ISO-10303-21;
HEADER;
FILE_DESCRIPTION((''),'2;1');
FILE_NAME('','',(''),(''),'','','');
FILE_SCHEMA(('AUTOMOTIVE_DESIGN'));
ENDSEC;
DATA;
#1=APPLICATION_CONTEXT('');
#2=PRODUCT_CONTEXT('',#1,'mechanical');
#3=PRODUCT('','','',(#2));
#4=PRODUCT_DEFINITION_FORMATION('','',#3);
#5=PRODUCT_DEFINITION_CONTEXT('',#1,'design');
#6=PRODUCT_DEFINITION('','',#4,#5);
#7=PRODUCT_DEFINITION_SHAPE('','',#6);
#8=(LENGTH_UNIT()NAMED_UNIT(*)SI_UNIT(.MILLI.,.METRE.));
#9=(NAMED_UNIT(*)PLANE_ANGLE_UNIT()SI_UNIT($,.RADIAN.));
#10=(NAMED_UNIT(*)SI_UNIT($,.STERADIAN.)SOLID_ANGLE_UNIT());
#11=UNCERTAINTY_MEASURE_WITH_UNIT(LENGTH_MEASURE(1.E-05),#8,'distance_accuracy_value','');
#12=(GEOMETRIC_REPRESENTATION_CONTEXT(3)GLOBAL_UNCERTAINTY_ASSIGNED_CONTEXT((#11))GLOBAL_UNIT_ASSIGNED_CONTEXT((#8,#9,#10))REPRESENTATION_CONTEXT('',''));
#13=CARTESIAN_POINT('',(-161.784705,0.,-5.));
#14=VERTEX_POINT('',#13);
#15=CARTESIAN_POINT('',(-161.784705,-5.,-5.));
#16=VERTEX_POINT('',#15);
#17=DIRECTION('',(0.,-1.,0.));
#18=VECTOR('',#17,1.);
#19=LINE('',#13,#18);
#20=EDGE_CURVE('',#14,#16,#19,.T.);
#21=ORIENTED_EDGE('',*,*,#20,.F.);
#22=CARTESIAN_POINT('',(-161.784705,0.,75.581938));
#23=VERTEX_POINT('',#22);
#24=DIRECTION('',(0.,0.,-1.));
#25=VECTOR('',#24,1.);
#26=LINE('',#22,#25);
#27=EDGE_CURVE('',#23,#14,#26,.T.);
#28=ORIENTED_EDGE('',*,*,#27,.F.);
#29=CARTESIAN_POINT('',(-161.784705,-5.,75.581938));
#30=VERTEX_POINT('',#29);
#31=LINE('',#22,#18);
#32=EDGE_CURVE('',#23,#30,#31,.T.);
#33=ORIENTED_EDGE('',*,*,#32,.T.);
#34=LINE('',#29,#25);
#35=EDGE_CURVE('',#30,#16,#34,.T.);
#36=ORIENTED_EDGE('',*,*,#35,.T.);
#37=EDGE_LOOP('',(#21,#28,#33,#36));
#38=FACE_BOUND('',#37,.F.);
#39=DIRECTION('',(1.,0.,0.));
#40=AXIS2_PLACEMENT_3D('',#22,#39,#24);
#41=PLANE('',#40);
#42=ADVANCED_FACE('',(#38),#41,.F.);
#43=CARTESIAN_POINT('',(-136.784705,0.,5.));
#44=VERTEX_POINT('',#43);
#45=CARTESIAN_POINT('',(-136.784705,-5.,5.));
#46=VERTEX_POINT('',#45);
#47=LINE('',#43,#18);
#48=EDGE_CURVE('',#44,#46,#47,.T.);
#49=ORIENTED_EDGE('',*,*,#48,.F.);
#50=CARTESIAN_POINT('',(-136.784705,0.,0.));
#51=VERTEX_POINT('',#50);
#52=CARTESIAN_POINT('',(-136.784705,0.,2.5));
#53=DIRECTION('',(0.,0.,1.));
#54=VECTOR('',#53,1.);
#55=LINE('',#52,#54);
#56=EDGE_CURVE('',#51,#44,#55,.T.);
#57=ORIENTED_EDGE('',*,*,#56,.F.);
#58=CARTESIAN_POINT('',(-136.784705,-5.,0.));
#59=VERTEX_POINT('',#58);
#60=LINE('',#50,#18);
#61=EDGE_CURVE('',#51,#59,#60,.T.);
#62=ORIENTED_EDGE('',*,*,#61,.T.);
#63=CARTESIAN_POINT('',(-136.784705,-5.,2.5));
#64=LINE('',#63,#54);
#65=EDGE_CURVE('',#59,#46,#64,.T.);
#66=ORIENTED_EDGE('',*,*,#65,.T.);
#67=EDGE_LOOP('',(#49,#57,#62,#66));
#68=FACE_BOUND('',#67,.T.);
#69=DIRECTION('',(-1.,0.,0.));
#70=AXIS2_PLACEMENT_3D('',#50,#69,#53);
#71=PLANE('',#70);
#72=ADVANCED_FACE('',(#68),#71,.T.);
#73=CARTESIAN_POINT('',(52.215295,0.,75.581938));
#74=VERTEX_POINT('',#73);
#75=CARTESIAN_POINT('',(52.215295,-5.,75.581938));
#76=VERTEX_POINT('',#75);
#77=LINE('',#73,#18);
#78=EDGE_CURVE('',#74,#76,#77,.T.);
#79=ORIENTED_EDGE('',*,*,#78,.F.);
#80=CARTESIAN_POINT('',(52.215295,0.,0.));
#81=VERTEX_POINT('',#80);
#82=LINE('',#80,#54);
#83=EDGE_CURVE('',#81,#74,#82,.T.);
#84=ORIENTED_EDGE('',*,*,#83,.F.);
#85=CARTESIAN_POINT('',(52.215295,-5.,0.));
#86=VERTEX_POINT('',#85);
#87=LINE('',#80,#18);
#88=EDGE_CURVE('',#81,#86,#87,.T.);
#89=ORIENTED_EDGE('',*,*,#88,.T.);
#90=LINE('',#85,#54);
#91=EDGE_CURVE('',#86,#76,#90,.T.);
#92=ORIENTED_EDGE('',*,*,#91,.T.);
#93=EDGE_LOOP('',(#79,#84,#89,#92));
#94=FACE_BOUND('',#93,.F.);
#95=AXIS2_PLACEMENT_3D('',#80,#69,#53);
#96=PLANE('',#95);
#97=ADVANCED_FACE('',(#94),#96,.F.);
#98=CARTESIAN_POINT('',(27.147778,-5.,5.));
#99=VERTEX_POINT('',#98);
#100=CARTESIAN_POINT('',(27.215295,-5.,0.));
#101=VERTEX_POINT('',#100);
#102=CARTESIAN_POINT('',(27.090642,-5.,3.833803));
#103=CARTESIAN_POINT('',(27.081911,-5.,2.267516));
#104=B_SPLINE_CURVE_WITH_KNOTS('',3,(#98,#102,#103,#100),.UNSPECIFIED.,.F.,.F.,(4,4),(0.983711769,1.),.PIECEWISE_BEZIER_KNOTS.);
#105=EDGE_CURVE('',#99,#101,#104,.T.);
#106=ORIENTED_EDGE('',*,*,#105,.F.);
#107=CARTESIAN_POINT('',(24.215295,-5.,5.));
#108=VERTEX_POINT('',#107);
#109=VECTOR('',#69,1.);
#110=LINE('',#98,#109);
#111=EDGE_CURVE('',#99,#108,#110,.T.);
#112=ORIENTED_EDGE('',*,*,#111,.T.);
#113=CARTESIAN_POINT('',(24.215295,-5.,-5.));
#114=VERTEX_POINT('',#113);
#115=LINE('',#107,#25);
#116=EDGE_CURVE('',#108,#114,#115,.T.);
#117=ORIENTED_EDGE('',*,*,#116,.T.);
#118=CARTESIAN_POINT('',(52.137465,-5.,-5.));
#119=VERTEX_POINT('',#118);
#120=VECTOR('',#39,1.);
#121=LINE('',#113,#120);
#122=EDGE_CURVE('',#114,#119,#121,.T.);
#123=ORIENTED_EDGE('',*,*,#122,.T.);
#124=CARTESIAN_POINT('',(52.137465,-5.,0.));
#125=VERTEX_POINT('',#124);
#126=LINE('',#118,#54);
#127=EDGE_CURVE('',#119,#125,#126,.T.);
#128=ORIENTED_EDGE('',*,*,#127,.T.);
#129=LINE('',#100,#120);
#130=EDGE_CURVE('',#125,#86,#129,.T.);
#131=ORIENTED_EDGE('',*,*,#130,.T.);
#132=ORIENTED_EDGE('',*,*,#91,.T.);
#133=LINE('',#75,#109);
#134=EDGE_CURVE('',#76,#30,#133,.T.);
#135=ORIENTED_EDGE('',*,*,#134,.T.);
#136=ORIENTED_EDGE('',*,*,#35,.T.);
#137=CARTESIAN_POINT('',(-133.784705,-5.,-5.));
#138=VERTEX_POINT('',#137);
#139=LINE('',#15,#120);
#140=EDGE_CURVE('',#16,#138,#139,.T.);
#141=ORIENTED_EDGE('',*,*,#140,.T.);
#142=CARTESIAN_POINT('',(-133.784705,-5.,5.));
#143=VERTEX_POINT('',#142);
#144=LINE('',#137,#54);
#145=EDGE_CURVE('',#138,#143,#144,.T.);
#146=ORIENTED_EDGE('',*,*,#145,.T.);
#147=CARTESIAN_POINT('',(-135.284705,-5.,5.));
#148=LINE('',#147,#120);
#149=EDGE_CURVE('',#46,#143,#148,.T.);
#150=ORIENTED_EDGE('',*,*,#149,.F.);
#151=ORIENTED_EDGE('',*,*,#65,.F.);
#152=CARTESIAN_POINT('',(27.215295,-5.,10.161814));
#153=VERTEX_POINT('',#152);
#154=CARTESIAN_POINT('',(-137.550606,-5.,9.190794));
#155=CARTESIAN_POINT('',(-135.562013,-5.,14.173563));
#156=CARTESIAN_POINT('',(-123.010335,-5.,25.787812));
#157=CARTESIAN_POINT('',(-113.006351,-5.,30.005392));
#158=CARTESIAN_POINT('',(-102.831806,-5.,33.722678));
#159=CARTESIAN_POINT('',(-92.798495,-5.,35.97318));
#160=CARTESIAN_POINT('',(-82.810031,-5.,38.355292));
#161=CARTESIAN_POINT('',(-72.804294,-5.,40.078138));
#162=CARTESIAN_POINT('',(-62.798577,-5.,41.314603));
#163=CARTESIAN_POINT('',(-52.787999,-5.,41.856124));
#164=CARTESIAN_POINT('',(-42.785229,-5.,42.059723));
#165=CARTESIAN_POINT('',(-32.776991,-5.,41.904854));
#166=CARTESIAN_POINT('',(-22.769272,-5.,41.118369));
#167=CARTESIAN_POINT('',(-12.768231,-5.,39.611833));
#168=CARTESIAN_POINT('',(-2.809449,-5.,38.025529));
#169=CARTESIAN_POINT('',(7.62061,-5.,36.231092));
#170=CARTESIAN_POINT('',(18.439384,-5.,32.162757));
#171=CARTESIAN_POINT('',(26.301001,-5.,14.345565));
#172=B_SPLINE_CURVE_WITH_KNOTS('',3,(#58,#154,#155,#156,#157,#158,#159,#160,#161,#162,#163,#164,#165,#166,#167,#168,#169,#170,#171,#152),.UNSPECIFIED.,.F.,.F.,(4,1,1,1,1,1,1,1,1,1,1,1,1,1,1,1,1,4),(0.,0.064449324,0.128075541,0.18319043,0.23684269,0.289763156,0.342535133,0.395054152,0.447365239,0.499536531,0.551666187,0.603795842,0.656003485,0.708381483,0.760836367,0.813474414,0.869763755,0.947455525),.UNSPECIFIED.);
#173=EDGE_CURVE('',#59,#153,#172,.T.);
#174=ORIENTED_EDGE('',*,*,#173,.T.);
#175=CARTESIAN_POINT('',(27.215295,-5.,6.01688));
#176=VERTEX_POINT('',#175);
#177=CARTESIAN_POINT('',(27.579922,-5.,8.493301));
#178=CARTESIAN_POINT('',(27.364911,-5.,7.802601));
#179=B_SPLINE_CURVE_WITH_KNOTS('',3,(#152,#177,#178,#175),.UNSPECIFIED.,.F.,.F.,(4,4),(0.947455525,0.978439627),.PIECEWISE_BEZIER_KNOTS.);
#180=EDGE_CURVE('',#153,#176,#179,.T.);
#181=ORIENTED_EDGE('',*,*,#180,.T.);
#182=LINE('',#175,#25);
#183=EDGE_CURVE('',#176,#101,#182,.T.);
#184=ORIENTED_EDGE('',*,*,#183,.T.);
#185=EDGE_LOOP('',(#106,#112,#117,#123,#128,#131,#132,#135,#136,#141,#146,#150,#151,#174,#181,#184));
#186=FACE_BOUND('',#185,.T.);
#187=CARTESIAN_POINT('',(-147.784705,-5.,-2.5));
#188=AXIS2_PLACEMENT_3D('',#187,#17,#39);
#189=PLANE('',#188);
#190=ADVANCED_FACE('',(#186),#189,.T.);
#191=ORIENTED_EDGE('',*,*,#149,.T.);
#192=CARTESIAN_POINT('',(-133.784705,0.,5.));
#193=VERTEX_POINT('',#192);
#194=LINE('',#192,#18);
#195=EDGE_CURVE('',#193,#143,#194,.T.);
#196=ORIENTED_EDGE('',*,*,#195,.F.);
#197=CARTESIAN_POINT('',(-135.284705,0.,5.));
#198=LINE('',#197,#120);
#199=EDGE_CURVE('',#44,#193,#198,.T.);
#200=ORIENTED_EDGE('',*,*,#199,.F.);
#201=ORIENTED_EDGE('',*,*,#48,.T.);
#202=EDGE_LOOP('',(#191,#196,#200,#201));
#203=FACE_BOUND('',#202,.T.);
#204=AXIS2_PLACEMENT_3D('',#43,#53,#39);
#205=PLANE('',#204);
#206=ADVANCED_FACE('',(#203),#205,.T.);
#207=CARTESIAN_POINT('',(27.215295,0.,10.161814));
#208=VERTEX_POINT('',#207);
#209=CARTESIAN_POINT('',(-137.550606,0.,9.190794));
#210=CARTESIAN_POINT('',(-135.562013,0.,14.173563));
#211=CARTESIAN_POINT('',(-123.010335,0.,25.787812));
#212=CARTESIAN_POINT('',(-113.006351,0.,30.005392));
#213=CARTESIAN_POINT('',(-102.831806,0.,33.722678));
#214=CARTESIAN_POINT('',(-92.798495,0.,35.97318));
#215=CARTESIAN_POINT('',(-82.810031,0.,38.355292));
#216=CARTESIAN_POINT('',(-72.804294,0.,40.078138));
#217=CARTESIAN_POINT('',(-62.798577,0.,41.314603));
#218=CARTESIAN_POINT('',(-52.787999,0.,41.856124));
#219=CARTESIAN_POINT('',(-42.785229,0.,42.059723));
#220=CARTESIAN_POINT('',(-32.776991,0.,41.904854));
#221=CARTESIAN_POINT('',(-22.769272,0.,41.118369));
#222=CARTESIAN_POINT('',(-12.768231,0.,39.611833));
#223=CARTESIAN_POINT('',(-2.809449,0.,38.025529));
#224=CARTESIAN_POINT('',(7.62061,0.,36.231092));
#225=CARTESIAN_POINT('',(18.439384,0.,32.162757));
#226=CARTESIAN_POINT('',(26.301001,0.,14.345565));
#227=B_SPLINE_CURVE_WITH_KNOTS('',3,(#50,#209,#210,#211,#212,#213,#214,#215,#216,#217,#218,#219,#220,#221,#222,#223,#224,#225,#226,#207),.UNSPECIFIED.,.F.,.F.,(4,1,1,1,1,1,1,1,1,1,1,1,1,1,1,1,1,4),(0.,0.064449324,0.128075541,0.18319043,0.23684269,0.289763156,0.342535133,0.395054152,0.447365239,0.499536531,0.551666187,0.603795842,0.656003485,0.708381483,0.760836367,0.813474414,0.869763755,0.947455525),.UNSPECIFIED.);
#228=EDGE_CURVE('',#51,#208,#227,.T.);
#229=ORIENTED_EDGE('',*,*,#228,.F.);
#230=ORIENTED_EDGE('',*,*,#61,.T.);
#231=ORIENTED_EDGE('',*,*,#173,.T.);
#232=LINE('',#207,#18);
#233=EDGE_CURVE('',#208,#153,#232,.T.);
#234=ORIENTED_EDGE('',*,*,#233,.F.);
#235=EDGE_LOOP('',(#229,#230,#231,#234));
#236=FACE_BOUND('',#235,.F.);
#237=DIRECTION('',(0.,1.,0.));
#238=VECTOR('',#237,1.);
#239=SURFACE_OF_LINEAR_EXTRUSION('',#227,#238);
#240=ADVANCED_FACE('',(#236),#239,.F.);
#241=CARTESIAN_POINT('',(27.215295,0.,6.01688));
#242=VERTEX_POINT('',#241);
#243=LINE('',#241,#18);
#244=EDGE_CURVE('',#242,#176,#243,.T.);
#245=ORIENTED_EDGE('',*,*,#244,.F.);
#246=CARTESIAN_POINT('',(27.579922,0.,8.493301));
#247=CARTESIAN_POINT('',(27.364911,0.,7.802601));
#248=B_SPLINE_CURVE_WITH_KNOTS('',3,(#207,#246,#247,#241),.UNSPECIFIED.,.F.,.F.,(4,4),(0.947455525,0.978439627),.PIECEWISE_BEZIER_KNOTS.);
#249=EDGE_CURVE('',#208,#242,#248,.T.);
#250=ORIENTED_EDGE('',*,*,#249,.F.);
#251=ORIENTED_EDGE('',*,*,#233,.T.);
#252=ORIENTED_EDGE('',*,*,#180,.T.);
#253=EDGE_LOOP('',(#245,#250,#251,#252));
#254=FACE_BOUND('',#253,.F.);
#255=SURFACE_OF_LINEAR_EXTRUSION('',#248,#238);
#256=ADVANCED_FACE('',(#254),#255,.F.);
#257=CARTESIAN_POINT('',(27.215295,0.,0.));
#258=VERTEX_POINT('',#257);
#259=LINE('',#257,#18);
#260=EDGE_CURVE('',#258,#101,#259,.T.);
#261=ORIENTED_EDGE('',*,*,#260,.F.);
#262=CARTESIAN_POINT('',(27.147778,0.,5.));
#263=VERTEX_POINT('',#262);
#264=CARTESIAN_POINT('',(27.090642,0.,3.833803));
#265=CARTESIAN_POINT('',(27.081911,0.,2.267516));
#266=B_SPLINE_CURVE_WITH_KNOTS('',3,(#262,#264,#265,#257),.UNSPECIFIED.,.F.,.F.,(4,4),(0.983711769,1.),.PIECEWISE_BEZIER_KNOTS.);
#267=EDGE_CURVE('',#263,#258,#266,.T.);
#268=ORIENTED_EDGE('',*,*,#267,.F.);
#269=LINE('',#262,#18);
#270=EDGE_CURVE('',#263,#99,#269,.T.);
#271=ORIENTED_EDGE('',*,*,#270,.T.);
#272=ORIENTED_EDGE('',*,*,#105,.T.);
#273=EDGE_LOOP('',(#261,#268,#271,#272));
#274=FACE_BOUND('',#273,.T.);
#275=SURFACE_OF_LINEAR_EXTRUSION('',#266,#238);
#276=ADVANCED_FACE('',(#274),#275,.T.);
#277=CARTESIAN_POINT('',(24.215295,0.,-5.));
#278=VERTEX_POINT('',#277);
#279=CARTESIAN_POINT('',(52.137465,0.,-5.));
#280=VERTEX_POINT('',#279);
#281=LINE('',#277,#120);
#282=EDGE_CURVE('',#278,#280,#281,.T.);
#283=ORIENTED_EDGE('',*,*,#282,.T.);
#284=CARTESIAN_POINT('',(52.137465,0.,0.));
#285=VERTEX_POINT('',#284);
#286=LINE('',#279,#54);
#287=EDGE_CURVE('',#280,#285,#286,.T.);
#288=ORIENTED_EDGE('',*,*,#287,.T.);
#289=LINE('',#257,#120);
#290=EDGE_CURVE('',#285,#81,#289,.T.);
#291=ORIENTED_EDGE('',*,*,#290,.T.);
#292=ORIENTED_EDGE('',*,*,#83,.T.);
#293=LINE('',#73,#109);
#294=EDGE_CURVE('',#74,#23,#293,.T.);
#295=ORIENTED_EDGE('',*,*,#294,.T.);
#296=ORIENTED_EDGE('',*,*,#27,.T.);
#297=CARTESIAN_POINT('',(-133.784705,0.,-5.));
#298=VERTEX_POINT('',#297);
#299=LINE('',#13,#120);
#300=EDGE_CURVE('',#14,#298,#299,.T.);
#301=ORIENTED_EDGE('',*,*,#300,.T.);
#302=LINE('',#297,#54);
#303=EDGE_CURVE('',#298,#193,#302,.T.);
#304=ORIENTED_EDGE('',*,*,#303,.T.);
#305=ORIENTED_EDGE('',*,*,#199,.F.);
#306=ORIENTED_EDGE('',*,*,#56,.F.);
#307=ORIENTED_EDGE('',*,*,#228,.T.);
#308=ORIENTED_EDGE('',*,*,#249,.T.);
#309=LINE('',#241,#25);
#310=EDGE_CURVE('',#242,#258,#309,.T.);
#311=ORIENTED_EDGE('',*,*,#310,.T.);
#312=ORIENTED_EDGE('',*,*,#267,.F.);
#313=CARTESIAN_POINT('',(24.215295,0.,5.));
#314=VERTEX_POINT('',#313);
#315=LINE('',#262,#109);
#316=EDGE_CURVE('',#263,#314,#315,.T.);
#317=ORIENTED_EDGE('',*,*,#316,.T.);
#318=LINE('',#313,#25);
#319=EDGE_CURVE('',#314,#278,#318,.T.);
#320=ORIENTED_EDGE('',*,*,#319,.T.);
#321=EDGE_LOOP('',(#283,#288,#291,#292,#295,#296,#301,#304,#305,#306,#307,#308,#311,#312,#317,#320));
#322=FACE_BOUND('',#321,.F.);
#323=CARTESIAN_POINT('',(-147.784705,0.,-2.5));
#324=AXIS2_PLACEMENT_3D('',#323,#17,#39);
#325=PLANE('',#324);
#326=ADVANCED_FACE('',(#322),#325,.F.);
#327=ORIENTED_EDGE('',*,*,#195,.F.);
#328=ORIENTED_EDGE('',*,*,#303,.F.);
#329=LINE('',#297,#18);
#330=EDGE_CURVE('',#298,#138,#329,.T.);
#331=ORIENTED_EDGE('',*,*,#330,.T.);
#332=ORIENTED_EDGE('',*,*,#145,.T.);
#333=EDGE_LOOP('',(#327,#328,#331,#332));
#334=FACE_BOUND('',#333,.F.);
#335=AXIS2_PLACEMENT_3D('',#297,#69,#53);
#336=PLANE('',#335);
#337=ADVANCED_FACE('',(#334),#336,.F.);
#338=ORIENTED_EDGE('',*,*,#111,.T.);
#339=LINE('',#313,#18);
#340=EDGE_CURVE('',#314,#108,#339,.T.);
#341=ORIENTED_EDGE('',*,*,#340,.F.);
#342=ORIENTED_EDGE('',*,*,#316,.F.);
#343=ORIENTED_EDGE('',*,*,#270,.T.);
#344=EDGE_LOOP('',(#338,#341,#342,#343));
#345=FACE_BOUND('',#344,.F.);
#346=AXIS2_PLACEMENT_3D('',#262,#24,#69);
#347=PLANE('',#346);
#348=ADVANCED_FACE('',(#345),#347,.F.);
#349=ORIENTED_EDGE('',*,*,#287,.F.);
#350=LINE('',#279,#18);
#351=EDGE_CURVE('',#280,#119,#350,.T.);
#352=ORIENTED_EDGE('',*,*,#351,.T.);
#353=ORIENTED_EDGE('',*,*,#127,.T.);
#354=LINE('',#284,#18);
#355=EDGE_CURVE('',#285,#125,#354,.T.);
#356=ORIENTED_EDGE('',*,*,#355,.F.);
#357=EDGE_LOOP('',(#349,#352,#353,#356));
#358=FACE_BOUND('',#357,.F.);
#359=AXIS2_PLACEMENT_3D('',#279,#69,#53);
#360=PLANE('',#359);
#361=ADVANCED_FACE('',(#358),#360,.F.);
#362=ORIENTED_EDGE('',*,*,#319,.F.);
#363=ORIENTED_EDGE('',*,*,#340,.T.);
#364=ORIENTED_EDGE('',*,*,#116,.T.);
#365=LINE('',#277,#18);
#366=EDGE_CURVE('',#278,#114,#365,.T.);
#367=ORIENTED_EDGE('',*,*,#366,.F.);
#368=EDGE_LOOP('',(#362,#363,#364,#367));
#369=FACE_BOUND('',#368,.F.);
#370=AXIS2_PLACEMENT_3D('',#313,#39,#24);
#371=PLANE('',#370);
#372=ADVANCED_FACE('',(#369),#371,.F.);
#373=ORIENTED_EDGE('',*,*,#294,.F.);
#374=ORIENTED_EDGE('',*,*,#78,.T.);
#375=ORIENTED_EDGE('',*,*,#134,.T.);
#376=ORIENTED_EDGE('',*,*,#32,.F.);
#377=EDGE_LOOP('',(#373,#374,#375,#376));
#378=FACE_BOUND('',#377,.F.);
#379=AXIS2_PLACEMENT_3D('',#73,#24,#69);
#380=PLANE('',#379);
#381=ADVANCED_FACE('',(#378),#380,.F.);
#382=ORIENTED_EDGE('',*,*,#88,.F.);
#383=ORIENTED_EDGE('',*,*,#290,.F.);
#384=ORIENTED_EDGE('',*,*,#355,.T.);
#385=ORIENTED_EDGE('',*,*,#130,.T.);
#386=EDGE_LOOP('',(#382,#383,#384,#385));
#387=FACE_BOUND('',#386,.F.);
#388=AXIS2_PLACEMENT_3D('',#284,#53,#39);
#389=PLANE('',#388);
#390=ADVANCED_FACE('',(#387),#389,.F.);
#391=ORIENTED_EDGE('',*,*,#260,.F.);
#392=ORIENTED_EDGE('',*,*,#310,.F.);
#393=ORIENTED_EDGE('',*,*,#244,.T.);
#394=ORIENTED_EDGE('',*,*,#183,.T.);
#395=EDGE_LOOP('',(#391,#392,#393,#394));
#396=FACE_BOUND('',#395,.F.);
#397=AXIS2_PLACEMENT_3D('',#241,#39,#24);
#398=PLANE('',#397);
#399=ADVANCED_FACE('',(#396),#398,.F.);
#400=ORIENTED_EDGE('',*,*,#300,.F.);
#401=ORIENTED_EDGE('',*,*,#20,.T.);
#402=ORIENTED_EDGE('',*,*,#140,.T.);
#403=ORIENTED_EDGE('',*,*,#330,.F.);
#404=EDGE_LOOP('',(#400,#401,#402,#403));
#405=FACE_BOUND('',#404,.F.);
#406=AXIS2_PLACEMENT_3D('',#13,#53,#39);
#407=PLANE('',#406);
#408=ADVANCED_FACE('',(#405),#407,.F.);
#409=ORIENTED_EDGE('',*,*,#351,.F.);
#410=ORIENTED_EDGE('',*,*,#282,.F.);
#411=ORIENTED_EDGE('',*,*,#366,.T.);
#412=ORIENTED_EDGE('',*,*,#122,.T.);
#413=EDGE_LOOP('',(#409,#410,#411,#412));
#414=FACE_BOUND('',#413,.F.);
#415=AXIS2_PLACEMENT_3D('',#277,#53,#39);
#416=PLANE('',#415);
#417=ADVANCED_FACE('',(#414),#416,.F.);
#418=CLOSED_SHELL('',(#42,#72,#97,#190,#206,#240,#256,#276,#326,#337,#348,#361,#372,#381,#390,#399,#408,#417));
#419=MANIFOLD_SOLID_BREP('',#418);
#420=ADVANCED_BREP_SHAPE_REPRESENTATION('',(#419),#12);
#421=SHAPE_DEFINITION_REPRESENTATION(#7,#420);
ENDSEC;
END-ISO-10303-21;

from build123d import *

# Parameters (mm, degrees)
F0_W     = 3
F0_H     = 5
F1_DEPTH = 5


with BuildPart() as f1:
    # F0 (on Front) → F1 (new body)
    with BuildSketch(Plane.XZ):
        Polygon((-153.931453824, 0), (-155.1526284828, 0), (-161.7847054601, 0), (-161.7847054601, -5), (-133.7847054601, -5), (-133.7847054601, 0), (-136.7847054601, 0), (-151.8627256155, 0), align=None)
        with Locations((-135.2847054601, 2.5)):
            Rectangle(F0_W, F0_H)
        with BuildLine():
            Line((-161.7847054601, 0), (-155.1526284828, 0))
            Line((-155.1526284828, 0), (-153.931453824, 0))
            Line((-153.931453824, 0), (-151.8627256155, 0))
            Line((-151.8627256155, 0), (-136.7847054601, 0))
            add(Edge.make_bspline(
                [(-136.7847054601, 0), (-137.550605581, 9.1907943609), (-135.5620132118, 14.1735625634), (-123.0103345841, 25.7878123059), (-113.0063506641, 30.0053916685), (-102.8318059019, 33.7226779983), (-92.7984950175, 35.9731800942), (-82.8100310019, 38.3552919351), (-72.8042943257, 40.0781384311), (-62.798577269, 41.3146029444), (-52.7879988202, 41.8561243727), (-42.7852293417, 42.0597226825), (-32.7769905911, 41.9048535139), (-22.7692720043, 41.1183686559), (-12.7682307799, 39.611832621), (-2.8094485421, 38.0255290619), (7.6206097812, 36.2310917), (18.4393837123, 32.1627572859), (26.3010010822, 14.3455654248), (27.2152945399, 10.1618142799)],
                knots=[0, 0, 0, 0, 0.0644493237, 0.1280755407, 0.1831904296, 0.2368426895, 0.2897631564, 0.3425351335, 0.395054152, 0.4473652388, 0.4995365313, 0.5516661866, 0.6037958419, 0.6560034853, 0.7083814826, 0.7608363672, 0.8134744142, 0.8697637546, 0.9474555247, 0.9474555247, 0.9474555247, 0.9474555247], degree=3))
            add(Edge.make_bspline(
                [(27.2152945399, 10.1618142799), (27.5799221206, 8.4933006912), (27.3649107752, 7.8026010468), (27.2152945399, 6.0168802749)],
                knots=[0.9474555247, 0.9474555247, 0.9474555247, 0.9474555247, 0.9784396272, 0.9784396272, 0.9784396272, 0.9784396272], degree=3))
            Line((27.2152945399, 6.0168802749), (27.2152945399, 5))
            Line((27.2152945399, 5), (27.2152945399, 0))
            Line((27.2152945399, 0), (52.1374652833, 0))
            Line((52.1374652833, 0), (52.2152945399, 0))
            Line((52.2152945399, 0), (52.2152945399, 75.5819380283))
            Line((52.2152945399, 75.5819380283), (-161.7847054601, 75.5819380283))
            Line((-161.7847054601, 75.5819380283), (-161.7847054601, 0))
        make_face()
        with BuildLine():
            Line((24.2152945399, 5), (24.2152945399, 0))
            Line((24.2152945399, 0), (27.2152945399, 0))
            add(Edge.make_bspline(
                [(27.1477780723, 5), (27.0906424161, 3.8338027227), (27.081911119, 2.26751635), (27.2152945399, 0)],
                knots=[0.9837117694, 0.9837117694, 0.9837117694, 0.9837117694, 1, 1, 1, 1], degree=3))
            Line((27.1477780723, 5), (24.2152945399, 5))
        make_face()
        Polygon((52.1374652833, -5), (52.1374652833, 0), (27.2152945399, 0), (24.2152945399, 0), (24.2152945399, -5), align=None)
    extrude(amount=F1_DEPTH)


solid = f1.part
